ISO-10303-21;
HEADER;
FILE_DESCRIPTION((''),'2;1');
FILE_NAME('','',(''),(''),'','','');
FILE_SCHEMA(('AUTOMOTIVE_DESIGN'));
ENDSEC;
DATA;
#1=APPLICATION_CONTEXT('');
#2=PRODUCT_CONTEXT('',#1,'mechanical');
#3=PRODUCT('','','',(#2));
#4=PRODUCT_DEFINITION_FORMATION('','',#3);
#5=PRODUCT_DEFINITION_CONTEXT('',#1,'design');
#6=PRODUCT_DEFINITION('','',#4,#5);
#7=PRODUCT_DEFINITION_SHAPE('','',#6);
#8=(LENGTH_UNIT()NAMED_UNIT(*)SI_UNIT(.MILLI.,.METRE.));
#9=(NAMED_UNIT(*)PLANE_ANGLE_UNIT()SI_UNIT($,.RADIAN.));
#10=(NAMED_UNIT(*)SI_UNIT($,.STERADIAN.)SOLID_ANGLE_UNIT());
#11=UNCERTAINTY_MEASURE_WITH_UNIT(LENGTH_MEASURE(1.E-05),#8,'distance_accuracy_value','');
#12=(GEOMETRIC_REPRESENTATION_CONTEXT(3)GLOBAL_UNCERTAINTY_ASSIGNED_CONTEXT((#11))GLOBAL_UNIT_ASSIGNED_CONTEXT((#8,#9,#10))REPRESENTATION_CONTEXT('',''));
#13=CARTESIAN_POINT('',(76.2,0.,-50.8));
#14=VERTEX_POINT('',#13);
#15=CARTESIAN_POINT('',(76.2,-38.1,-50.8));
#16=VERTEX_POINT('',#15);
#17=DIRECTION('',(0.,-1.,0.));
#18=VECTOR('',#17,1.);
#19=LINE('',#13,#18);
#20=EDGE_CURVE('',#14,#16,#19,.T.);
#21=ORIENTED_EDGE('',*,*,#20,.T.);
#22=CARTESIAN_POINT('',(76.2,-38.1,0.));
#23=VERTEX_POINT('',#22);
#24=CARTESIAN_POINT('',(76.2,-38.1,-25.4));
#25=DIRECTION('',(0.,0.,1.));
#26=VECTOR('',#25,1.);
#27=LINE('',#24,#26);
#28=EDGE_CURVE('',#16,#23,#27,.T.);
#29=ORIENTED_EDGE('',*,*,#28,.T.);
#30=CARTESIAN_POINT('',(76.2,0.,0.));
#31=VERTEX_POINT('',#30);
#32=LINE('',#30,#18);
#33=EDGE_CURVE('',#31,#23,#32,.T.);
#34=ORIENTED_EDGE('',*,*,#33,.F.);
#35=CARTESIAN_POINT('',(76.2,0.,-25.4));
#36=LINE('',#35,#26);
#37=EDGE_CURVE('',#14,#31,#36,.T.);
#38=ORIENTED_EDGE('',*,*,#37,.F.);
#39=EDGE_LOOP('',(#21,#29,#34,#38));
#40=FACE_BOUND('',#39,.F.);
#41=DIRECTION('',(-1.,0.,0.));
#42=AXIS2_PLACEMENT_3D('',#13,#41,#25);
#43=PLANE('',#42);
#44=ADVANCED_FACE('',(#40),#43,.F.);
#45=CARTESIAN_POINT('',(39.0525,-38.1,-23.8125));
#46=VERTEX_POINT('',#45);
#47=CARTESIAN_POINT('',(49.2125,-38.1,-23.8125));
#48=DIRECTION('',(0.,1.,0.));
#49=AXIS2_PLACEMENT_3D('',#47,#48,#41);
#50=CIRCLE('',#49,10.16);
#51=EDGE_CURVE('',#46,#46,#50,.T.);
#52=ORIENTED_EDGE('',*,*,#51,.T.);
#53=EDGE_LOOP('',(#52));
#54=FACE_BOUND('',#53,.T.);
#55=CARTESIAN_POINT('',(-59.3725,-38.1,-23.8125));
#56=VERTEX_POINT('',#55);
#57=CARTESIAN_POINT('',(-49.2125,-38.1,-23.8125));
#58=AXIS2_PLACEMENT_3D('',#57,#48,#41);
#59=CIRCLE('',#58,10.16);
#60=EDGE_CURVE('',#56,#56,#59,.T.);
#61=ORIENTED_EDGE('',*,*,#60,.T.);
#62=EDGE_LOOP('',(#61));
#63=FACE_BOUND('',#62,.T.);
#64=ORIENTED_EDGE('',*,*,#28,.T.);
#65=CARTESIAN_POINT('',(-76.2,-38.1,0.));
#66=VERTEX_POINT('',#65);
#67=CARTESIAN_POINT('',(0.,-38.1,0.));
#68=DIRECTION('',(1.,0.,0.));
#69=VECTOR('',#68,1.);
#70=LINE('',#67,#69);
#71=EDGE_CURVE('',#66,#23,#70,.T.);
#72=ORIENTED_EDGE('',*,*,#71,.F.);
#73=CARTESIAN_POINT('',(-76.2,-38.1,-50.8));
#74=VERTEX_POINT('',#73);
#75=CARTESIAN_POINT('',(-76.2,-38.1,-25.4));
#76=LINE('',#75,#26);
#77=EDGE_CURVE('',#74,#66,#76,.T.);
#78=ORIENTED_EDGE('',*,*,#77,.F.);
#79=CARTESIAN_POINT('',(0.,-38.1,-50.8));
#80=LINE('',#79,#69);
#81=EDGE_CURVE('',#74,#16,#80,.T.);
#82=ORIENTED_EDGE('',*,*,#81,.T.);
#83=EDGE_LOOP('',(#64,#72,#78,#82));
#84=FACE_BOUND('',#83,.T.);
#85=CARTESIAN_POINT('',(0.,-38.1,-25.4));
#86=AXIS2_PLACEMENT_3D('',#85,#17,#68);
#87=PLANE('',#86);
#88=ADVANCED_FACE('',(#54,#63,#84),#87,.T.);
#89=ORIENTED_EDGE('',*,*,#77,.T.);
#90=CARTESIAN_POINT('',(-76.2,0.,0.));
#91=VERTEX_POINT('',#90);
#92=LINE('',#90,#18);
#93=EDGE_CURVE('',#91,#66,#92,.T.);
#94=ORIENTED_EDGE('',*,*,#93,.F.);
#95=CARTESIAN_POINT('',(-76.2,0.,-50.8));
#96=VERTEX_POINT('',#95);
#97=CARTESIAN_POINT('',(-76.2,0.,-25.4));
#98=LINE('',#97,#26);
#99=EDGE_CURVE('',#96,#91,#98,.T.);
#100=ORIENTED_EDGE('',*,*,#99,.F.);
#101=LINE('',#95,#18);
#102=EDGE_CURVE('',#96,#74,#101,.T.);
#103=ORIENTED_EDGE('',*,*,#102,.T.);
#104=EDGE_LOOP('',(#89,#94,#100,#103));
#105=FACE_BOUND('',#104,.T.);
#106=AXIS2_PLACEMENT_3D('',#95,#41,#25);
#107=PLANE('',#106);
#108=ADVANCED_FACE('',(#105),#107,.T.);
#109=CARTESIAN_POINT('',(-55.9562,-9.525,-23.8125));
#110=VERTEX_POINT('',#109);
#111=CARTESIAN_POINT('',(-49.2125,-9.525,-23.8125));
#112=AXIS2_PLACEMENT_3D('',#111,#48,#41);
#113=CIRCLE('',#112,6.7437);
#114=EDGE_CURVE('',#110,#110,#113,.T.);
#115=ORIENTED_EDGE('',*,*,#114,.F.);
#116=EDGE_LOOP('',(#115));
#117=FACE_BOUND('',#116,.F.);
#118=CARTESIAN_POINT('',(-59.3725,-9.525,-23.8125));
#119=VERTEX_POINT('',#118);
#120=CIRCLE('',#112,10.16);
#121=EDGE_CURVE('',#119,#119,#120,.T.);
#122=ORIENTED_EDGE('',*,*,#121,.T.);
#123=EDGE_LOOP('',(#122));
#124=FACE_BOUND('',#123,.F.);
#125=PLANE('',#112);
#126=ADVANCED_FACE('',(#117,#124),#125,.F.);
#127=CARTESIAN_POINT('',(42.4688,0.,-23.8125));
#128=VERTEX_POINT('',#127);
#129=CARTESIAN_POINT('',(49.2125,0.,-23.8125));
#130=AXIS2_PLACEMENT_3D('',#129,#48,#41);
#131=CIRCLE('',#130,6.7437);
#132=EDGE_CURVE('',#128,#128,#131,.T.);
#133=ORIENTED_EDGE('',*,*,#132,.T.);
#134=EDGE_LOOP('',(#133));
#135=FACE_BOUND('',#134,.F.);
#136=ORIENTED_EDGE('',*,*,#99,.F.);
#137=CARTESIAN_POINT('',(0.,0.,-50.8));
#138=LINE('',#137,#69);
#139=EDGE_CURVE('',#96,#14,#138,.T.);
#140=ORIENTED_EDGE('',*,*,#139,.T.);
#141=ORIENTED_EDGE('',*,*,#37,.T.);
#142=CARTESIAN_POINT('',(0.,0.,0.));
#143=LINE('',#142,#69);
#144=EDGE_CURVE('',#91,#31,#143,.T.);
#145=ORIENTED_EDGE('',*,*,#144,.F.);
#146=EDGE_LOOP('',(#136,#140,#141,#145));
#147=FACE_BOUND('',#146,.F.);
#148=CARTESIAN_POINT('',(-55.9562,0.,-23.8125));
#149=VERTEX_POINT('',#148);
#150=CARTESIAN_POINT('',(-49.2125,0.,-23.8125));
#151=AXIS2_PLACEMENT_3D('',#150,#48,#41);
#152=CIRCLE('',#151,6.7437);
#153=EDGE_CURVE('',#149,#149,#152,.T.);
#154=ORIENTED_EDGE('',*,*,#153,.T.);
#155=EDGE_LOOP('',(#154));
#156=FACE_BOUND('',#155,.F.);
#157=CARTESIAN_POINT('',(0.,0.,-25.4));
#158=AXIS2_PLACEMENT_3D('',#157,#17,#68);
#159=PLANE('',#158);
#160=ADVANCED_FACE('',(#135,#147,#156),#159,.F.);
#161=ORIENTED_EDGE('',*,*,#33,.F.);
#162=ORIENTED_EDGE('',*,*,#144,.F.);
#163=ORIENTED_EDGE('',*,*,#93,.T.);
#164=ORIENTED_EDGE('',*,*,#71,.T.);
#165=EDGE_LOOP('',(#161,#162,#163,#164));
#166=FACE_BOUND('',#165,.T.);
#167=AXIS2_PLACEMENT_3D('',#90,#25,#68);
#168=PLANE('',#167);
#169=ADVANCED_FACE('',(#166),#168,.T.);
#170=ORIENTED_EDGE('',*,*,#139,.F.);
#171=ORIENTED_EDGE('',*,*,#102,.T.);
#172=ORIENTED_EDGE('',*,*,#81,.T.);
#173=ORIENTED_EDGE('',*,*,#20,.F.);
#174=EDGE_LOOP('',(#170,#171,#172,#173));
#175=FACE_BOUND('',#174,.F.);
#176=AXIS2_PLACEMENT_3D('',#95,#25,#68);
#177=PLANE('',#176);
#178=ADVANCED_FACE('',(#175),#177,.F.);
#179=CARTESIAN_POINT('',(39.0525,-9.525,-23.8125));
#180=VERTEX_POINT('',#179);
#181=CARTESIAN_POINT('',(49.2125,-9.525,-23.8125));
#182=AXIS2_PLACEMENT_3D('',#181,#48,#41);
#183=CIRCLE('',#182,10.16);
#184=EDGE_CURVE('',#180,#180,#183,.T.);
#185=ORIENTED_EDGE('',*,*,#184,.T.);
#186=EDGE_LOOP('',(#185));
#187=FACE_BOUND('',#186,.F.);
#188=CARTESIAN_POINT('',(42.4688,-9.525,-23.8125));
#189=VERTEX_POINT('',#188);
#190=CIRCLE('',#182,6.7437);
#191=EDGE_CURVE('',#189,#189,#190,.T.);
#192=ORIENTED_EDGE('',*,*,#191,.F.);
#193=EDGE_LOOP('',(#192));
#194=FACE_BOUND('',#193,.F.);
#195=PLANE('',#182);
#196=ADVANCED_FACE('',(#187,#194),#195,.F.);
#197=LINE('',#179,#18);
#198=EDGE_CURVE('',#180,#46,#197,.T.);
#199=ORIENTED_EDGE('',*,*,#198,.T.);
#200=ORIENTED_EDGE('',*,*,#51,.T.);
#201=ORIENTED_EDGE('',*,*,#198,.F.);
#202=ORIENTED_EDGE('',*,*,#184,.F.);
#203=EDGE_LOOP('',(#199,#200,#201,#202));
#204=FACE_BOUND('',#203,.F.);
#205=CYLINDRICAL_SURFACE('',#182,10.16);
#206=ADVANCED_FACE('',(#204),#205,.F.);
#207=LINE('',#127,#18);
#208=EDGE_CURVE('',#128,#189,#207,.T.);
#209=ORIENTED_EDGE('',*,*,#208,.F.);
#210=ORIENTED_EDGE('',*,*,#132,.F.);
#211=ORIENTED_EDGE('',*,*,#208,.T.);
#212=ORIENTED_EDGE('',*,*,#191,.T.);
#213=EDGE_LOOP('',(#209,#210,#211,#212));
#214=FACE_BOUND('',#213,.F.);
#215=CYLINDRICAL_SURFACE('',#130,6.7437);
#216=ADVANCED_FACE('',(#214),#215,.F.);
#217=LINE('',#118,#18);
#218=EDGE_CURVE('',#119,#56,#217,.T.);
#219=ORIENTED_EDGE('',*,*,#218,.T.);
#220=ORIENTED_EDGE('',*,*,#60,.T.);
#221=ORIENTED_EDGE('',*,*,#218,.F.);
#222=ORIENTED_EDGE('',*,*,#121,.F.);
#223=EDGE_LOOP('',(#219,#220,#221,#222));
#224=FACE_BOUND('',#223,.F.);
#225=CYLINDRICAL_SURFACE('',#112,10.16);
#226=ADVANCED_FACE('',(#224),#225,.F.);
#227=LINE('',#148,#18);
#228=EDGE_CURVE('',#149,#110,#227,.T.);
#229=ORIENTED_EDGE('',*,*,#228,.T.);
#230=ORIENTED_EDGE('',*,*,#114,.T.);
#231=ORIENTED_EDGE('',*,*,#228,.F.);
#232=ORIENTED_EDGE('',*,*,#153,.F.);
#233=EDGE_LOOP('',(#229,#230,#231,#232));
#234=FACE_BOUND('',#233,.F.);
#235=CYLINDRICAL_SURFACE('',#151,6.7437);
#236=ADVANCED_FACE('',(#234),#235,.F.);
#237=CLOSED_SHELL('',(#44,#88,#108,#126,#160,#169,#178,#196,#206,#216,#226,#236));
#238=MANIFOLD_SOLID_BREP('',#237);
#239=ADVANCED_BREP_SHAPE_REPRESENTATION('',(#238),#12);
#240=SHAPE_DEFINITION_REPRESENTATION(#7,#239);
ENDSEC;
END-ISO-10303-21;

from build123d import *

# Parameters (mm, degrees)
F0_W     = 152.4
F0_H     = 50.8
F1_DEPTH = 38.1
F2_R     = 6.7437
F3_DEPTH = 9.525
F4_R     = 10.16
F5_DEPTH = 152.4


with BuildPart() as f1:
    # F0 (on Front) → F1 (new body)
    with BuildSketch(Plane.XZ):
        with Locations((0, -25.4)):
            Rectangle(F0_W, F0_H)
    extrude(amount=F1_DEPTH)

    # F2 (on face) → F3 (cut)
    with BuildSketch(Plane(origin=(0, 0, 0), x_dir=(-1, 0, 0), z_dir=(0, 1, 0))):
        with Locations((49.2125, -23.8125)):
            Circle(F2_R)
        with Locations((-49.2125, -23.8125)):
            Circle(F2_R)
    extrude(amount=-F3_DEPTH, mode=Mode.SUBTRACT)

    # F4 (on face) → F5 (cut)
    with BuildSketch(Plane(origin=(0, -9.525, 0), x_dir=(-1, 0, 0), z_dir=(0, 1, 0))):
        with Locations((-49.2125, -23.8125)):
            Circle(F4_R)
        with Locations((49.2125, -23.8125)):
            Circle(F4_R)
    extrude(amount=-F5_DEPTH, mode=Mode.SUBTRACT)


solid = f1.part
